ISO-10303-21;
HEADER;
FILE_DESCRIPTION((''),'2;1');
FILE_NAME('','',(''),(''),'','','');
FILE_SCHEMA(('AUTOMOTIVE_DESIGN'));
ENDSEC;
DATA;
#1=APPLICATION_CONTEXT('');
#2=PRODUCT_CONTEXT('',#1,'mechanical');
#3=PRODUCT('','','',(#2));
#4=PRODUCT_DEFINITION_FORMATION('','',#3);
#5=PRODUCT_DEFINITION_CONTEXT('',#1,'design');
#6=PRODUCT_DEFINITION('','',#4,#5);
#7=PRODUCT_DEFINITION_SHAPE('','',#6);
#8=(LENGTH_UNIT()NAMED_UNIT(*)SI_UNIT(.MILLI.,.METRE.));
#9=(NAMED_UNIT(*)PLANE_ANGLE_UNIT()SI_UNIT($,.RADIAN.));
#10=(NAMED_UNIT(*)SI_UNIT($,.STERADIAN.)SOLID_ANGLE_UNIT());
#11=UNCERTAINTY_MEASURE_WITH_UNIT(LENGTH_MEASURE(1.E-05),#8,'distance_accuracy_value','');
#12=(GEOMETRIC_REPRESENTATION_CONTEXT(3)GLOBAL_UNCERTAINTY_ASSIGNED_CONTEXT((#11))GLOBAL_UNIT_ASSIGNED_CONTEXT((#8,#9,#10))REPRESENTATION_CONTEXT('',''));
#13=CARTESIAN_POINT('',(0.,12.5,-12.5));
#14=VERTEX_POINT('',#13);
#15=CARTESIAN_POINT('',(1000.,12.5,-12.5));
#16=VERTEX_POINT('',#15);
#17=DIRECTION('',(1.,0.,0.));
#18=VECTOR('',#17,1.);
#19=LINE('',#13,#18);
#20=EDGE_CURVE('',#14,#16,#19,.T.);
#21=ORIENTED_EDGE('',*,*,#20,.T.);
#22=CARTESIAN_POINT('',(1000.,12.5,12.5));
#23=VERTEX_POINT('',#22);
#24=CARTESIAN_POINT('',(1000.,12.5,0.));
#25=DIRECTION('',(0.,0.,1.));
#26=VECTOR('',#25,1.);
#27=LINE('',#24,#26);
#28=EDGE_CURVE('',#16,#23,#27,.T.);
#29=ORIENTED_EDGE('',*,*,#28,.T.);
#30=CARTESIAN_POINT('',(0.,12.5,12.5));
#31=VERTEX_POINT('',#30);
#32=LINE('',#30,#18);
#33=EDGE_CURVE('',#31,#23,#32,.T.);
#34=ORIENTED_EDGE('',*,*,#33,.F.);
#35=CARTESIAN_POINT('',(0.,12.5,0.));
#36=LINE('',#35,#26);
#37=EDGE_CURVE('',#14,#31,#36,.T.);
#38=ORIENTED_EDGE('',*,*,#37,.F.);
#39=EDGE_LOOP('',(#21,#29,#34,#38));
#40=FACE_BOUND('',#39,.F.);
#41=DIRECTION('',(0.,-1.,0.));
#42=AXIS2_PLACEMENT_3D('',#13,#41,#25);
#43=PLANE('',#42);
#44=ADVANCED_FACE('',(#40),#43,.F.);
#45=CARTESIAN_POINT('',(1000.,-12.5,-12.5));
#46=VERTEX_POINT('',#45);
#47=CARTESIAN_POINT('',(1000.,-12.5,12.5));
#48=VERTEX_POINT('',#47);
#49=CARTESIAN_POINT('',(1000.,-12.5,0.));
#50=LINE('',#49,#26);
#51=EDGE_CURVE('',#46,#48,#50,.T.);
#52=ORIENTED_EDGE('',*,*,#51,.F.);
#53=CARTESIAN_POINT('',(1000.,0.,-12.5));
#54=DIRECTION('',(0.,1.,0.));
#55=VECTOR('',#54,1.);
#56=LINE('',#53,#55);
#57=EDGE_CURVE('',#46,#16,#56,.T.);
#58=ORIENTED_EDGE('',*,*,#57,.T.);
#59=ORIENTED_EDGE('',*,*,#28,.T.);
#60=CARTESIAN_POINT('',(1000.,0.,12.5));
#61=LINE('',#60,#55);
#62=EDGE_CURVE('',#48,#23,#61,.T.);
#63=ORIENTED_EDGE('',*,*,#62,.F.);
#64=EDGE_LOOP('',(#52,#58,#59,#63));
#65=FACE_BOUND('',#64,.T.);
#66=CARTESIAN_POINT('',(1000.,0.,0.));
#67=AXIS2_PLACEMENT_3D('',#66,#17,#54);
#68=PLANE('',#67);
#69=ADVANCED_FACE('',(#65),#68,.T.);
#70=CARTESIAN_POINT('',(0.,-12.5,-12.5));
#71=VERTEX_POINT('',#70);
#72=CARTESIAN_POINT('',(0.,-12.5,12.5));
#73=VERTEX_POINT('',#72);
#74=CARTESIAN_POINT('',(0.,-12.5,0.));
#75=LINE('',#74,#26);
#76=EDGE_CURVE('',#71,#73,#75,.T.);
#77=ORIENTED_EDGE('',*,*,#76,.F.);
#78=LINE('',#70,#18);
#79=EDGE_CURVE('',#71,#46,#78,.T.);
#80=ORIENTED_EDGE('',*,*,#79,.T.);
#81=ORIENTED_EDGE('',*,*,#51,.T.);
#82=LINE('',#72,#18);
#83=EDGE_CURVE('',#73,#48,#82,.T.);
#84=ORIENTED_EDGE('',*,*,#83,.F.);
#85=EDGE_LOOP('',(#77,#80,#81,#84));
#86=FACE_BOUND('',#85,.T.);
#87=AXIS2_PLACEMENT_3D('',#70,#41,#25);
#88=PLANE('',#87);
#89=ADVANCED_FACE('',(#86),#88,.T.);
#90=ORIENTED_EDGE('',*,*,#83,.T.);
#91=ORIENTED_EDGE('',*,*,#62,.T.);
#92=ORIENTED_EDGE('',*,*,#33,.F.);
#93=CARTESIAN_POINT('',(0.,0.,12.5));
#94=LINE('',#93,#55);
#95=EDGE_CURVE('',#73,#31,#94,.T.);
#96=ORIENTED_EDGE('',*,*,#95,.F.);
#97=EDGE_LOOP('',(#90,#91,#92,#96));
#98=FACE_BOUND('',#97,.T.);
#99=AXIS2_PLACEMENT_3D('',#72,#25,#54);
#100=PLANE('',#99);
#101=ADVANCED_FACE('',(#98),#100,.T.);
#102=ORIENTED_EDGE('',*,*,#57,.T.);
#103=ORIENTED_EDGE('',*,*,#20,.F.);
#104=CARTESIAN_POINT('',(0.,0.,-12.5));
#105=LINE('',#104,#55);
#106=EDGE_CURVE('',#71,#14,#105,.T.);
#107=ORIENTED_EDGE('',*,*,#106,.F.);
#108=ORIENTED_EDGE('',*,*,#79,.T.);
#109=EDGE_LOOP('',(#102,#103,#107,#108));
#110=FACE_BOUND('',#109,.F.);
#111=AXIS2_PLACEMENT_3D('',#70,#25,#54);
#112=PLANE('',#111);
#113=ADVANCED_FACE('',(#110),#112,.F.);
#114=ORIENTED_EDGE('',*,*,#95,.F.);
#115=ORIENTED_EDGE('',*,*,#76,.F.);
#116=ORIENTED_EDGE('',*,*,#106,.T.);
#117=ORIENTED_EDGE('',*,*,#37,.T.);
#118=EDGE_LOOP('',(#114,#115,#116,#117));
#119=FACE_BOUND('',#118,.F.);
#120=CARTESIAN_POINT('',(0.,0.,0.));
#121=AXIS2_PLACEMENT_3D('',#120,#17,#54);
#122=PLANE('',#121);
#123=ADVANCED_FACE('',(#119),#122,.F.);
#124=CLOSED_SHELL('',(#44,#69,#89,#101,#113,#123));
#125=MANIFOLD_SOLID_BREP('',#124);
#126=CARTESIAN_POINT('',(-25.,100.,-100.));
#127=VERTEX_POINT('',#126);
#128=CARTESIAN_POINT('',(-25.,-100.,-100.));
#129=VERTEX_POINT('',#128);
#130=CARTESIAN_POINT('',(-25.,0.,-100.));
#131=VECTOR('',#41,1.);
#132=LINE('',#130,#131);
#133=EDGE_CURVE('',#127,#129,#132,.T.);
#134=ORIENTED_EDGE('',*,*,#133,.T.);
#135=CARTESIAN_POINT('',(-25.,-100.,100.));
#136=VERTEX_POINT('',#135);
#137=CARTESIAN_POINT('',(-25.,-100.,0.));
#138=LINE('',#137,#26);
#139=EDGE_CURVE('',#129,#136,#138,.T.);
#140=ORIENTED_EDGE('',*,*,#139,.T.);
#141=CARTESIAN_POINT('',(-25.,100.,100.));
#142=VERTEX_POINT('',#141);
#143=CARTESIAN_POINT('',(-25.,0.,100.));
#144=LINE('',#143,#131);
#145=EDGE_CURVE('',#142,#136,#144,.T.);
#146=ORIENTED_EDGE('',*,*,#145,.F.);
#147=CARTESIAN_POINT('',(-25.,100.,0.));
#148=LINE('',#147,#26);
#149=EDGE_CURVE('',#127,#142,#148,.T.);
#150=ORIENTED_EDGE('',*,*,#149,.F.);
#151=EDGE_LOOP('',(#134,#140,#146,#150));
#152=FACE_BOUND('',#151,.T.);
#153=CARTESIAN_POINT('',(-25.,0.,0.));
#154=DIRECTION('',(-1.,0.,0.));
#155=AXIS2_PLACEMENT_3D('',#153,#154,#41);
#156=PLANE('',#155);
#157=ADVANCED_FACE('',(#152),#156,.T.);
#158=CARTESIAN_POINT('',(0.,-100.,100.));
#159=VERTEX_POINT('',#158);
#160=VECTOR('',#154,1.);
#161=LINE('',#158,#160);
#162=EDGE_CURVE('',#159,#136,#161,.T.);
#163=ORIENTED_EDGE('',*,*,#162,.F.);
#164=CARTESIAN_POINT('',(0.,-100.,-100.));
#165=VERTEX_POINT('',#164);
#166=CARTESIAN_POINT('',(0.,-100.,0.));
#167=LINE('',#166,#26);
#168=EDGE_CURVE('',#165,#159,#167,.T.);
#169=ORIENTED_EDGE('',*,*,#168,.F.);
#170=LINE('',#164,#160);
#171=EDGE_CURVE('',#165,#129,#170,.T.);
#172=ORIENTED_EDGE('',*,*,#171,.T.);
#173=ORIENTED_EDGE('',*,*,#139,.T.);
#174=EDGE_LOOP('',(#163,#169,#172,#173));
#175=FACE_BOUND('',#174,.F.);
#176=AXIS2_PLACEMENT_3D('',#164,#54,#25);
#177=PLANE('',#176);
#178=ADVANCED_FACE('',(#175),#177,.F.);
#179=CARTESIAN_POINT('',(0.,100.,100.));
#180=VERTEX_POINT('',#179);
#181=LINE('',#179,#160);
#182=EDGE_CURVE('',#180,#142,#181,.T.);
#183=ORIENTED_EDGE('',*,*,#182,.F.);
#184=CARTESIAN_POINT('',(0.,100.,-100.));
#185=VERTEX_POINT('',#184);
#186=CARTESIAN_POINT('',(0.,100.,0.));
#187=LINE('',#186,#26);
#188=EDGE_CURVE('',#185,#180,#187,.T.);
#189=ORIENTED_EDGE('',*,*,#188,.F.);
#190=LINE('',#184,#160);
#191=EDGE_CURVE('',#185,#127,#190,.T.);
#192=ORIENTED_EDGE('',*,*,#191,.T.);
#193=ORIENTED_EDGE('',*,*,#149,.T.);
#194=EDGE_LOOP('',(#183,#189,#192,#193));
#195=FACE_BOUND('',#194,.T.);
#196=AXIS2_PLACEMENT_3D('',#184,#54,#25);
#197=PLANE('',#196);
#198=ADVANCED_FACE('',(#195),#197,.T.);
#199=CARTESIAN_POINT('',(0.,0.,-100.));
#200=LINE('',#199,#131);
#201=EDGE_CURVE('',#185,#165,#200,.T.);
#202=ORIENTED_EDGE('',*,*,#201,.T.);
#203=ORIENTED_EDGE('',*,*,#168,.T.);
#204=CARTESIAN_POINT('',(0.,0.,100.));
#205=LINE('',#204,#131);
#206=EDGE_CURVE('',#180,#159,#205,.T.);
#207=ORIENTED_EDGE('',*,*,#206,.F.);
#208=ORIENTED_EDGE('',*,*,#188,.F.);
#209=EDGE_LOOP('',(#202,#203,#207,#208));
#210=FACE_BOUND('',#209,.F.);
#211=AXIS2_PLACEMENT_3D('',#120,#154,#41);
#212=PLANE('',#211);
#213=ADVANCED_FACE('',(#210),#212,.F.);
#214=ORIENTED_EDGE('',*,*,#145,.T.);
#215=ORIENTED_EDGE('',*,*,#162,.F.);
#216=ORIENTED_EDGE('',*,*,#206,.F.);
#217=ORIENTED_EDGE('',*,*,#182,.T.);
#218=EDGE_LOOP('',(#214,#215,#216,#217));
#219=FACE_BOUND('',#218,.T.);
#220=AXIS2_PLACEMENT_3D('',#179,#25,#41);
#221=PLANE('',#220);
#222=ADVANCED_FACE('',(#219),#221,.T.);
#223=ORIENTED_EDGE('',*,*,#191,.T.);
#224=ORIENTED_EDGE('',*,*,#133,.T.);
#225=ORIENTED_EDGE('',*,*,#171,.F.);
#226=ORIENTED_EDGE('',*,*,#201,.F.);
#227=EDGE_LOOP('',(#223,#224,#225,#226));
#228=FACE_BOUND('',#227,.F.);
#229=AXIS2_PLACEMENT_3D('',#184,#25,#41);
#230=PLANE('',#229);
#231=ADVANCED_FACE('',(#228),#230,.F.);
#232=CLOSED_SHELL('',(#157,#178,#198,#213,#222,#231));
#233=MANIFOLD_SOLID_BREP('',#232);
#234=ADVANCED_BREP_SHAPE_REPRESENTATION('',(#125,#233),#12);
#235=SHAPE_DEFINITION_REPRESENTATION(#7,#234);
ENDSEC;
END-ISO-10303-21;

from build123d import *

# Parameters (mm, degrees)
F0_W     = 25
F0_H     = 25
F1_DEPTH = 1000
F2_W     = 200
F2_H     = 200
F2_W_2   = 25
F2_H_2   = 25
F3_DEPTH = 25


with BuildPart() as f1:
    # F0 (on Right) → F1 (new body)
    with BuildSketch(Plane.YZ):
        Rectangle(F0_W, F0_H)
    extrude(amount=F1_DEPTH)


with BuildPart() as f3:
    # F2 (on face) → F3 (new body)
    with BuildSketch(Plane(origin=(0, 0, 0), x_dir=(0, -1, 0), z_dir=(-1, 0, 0))):
        Rectangle(F2_W, F2_H)
        Rectangle(F2_W_2, F2_H_2, mode=Mode.SUBTRACT)
        Rectangle(F2_W_2, F2_H_2)
    extrude(amount=F3_DEPTH)


solid = Compound([f1.part, f3.part])
